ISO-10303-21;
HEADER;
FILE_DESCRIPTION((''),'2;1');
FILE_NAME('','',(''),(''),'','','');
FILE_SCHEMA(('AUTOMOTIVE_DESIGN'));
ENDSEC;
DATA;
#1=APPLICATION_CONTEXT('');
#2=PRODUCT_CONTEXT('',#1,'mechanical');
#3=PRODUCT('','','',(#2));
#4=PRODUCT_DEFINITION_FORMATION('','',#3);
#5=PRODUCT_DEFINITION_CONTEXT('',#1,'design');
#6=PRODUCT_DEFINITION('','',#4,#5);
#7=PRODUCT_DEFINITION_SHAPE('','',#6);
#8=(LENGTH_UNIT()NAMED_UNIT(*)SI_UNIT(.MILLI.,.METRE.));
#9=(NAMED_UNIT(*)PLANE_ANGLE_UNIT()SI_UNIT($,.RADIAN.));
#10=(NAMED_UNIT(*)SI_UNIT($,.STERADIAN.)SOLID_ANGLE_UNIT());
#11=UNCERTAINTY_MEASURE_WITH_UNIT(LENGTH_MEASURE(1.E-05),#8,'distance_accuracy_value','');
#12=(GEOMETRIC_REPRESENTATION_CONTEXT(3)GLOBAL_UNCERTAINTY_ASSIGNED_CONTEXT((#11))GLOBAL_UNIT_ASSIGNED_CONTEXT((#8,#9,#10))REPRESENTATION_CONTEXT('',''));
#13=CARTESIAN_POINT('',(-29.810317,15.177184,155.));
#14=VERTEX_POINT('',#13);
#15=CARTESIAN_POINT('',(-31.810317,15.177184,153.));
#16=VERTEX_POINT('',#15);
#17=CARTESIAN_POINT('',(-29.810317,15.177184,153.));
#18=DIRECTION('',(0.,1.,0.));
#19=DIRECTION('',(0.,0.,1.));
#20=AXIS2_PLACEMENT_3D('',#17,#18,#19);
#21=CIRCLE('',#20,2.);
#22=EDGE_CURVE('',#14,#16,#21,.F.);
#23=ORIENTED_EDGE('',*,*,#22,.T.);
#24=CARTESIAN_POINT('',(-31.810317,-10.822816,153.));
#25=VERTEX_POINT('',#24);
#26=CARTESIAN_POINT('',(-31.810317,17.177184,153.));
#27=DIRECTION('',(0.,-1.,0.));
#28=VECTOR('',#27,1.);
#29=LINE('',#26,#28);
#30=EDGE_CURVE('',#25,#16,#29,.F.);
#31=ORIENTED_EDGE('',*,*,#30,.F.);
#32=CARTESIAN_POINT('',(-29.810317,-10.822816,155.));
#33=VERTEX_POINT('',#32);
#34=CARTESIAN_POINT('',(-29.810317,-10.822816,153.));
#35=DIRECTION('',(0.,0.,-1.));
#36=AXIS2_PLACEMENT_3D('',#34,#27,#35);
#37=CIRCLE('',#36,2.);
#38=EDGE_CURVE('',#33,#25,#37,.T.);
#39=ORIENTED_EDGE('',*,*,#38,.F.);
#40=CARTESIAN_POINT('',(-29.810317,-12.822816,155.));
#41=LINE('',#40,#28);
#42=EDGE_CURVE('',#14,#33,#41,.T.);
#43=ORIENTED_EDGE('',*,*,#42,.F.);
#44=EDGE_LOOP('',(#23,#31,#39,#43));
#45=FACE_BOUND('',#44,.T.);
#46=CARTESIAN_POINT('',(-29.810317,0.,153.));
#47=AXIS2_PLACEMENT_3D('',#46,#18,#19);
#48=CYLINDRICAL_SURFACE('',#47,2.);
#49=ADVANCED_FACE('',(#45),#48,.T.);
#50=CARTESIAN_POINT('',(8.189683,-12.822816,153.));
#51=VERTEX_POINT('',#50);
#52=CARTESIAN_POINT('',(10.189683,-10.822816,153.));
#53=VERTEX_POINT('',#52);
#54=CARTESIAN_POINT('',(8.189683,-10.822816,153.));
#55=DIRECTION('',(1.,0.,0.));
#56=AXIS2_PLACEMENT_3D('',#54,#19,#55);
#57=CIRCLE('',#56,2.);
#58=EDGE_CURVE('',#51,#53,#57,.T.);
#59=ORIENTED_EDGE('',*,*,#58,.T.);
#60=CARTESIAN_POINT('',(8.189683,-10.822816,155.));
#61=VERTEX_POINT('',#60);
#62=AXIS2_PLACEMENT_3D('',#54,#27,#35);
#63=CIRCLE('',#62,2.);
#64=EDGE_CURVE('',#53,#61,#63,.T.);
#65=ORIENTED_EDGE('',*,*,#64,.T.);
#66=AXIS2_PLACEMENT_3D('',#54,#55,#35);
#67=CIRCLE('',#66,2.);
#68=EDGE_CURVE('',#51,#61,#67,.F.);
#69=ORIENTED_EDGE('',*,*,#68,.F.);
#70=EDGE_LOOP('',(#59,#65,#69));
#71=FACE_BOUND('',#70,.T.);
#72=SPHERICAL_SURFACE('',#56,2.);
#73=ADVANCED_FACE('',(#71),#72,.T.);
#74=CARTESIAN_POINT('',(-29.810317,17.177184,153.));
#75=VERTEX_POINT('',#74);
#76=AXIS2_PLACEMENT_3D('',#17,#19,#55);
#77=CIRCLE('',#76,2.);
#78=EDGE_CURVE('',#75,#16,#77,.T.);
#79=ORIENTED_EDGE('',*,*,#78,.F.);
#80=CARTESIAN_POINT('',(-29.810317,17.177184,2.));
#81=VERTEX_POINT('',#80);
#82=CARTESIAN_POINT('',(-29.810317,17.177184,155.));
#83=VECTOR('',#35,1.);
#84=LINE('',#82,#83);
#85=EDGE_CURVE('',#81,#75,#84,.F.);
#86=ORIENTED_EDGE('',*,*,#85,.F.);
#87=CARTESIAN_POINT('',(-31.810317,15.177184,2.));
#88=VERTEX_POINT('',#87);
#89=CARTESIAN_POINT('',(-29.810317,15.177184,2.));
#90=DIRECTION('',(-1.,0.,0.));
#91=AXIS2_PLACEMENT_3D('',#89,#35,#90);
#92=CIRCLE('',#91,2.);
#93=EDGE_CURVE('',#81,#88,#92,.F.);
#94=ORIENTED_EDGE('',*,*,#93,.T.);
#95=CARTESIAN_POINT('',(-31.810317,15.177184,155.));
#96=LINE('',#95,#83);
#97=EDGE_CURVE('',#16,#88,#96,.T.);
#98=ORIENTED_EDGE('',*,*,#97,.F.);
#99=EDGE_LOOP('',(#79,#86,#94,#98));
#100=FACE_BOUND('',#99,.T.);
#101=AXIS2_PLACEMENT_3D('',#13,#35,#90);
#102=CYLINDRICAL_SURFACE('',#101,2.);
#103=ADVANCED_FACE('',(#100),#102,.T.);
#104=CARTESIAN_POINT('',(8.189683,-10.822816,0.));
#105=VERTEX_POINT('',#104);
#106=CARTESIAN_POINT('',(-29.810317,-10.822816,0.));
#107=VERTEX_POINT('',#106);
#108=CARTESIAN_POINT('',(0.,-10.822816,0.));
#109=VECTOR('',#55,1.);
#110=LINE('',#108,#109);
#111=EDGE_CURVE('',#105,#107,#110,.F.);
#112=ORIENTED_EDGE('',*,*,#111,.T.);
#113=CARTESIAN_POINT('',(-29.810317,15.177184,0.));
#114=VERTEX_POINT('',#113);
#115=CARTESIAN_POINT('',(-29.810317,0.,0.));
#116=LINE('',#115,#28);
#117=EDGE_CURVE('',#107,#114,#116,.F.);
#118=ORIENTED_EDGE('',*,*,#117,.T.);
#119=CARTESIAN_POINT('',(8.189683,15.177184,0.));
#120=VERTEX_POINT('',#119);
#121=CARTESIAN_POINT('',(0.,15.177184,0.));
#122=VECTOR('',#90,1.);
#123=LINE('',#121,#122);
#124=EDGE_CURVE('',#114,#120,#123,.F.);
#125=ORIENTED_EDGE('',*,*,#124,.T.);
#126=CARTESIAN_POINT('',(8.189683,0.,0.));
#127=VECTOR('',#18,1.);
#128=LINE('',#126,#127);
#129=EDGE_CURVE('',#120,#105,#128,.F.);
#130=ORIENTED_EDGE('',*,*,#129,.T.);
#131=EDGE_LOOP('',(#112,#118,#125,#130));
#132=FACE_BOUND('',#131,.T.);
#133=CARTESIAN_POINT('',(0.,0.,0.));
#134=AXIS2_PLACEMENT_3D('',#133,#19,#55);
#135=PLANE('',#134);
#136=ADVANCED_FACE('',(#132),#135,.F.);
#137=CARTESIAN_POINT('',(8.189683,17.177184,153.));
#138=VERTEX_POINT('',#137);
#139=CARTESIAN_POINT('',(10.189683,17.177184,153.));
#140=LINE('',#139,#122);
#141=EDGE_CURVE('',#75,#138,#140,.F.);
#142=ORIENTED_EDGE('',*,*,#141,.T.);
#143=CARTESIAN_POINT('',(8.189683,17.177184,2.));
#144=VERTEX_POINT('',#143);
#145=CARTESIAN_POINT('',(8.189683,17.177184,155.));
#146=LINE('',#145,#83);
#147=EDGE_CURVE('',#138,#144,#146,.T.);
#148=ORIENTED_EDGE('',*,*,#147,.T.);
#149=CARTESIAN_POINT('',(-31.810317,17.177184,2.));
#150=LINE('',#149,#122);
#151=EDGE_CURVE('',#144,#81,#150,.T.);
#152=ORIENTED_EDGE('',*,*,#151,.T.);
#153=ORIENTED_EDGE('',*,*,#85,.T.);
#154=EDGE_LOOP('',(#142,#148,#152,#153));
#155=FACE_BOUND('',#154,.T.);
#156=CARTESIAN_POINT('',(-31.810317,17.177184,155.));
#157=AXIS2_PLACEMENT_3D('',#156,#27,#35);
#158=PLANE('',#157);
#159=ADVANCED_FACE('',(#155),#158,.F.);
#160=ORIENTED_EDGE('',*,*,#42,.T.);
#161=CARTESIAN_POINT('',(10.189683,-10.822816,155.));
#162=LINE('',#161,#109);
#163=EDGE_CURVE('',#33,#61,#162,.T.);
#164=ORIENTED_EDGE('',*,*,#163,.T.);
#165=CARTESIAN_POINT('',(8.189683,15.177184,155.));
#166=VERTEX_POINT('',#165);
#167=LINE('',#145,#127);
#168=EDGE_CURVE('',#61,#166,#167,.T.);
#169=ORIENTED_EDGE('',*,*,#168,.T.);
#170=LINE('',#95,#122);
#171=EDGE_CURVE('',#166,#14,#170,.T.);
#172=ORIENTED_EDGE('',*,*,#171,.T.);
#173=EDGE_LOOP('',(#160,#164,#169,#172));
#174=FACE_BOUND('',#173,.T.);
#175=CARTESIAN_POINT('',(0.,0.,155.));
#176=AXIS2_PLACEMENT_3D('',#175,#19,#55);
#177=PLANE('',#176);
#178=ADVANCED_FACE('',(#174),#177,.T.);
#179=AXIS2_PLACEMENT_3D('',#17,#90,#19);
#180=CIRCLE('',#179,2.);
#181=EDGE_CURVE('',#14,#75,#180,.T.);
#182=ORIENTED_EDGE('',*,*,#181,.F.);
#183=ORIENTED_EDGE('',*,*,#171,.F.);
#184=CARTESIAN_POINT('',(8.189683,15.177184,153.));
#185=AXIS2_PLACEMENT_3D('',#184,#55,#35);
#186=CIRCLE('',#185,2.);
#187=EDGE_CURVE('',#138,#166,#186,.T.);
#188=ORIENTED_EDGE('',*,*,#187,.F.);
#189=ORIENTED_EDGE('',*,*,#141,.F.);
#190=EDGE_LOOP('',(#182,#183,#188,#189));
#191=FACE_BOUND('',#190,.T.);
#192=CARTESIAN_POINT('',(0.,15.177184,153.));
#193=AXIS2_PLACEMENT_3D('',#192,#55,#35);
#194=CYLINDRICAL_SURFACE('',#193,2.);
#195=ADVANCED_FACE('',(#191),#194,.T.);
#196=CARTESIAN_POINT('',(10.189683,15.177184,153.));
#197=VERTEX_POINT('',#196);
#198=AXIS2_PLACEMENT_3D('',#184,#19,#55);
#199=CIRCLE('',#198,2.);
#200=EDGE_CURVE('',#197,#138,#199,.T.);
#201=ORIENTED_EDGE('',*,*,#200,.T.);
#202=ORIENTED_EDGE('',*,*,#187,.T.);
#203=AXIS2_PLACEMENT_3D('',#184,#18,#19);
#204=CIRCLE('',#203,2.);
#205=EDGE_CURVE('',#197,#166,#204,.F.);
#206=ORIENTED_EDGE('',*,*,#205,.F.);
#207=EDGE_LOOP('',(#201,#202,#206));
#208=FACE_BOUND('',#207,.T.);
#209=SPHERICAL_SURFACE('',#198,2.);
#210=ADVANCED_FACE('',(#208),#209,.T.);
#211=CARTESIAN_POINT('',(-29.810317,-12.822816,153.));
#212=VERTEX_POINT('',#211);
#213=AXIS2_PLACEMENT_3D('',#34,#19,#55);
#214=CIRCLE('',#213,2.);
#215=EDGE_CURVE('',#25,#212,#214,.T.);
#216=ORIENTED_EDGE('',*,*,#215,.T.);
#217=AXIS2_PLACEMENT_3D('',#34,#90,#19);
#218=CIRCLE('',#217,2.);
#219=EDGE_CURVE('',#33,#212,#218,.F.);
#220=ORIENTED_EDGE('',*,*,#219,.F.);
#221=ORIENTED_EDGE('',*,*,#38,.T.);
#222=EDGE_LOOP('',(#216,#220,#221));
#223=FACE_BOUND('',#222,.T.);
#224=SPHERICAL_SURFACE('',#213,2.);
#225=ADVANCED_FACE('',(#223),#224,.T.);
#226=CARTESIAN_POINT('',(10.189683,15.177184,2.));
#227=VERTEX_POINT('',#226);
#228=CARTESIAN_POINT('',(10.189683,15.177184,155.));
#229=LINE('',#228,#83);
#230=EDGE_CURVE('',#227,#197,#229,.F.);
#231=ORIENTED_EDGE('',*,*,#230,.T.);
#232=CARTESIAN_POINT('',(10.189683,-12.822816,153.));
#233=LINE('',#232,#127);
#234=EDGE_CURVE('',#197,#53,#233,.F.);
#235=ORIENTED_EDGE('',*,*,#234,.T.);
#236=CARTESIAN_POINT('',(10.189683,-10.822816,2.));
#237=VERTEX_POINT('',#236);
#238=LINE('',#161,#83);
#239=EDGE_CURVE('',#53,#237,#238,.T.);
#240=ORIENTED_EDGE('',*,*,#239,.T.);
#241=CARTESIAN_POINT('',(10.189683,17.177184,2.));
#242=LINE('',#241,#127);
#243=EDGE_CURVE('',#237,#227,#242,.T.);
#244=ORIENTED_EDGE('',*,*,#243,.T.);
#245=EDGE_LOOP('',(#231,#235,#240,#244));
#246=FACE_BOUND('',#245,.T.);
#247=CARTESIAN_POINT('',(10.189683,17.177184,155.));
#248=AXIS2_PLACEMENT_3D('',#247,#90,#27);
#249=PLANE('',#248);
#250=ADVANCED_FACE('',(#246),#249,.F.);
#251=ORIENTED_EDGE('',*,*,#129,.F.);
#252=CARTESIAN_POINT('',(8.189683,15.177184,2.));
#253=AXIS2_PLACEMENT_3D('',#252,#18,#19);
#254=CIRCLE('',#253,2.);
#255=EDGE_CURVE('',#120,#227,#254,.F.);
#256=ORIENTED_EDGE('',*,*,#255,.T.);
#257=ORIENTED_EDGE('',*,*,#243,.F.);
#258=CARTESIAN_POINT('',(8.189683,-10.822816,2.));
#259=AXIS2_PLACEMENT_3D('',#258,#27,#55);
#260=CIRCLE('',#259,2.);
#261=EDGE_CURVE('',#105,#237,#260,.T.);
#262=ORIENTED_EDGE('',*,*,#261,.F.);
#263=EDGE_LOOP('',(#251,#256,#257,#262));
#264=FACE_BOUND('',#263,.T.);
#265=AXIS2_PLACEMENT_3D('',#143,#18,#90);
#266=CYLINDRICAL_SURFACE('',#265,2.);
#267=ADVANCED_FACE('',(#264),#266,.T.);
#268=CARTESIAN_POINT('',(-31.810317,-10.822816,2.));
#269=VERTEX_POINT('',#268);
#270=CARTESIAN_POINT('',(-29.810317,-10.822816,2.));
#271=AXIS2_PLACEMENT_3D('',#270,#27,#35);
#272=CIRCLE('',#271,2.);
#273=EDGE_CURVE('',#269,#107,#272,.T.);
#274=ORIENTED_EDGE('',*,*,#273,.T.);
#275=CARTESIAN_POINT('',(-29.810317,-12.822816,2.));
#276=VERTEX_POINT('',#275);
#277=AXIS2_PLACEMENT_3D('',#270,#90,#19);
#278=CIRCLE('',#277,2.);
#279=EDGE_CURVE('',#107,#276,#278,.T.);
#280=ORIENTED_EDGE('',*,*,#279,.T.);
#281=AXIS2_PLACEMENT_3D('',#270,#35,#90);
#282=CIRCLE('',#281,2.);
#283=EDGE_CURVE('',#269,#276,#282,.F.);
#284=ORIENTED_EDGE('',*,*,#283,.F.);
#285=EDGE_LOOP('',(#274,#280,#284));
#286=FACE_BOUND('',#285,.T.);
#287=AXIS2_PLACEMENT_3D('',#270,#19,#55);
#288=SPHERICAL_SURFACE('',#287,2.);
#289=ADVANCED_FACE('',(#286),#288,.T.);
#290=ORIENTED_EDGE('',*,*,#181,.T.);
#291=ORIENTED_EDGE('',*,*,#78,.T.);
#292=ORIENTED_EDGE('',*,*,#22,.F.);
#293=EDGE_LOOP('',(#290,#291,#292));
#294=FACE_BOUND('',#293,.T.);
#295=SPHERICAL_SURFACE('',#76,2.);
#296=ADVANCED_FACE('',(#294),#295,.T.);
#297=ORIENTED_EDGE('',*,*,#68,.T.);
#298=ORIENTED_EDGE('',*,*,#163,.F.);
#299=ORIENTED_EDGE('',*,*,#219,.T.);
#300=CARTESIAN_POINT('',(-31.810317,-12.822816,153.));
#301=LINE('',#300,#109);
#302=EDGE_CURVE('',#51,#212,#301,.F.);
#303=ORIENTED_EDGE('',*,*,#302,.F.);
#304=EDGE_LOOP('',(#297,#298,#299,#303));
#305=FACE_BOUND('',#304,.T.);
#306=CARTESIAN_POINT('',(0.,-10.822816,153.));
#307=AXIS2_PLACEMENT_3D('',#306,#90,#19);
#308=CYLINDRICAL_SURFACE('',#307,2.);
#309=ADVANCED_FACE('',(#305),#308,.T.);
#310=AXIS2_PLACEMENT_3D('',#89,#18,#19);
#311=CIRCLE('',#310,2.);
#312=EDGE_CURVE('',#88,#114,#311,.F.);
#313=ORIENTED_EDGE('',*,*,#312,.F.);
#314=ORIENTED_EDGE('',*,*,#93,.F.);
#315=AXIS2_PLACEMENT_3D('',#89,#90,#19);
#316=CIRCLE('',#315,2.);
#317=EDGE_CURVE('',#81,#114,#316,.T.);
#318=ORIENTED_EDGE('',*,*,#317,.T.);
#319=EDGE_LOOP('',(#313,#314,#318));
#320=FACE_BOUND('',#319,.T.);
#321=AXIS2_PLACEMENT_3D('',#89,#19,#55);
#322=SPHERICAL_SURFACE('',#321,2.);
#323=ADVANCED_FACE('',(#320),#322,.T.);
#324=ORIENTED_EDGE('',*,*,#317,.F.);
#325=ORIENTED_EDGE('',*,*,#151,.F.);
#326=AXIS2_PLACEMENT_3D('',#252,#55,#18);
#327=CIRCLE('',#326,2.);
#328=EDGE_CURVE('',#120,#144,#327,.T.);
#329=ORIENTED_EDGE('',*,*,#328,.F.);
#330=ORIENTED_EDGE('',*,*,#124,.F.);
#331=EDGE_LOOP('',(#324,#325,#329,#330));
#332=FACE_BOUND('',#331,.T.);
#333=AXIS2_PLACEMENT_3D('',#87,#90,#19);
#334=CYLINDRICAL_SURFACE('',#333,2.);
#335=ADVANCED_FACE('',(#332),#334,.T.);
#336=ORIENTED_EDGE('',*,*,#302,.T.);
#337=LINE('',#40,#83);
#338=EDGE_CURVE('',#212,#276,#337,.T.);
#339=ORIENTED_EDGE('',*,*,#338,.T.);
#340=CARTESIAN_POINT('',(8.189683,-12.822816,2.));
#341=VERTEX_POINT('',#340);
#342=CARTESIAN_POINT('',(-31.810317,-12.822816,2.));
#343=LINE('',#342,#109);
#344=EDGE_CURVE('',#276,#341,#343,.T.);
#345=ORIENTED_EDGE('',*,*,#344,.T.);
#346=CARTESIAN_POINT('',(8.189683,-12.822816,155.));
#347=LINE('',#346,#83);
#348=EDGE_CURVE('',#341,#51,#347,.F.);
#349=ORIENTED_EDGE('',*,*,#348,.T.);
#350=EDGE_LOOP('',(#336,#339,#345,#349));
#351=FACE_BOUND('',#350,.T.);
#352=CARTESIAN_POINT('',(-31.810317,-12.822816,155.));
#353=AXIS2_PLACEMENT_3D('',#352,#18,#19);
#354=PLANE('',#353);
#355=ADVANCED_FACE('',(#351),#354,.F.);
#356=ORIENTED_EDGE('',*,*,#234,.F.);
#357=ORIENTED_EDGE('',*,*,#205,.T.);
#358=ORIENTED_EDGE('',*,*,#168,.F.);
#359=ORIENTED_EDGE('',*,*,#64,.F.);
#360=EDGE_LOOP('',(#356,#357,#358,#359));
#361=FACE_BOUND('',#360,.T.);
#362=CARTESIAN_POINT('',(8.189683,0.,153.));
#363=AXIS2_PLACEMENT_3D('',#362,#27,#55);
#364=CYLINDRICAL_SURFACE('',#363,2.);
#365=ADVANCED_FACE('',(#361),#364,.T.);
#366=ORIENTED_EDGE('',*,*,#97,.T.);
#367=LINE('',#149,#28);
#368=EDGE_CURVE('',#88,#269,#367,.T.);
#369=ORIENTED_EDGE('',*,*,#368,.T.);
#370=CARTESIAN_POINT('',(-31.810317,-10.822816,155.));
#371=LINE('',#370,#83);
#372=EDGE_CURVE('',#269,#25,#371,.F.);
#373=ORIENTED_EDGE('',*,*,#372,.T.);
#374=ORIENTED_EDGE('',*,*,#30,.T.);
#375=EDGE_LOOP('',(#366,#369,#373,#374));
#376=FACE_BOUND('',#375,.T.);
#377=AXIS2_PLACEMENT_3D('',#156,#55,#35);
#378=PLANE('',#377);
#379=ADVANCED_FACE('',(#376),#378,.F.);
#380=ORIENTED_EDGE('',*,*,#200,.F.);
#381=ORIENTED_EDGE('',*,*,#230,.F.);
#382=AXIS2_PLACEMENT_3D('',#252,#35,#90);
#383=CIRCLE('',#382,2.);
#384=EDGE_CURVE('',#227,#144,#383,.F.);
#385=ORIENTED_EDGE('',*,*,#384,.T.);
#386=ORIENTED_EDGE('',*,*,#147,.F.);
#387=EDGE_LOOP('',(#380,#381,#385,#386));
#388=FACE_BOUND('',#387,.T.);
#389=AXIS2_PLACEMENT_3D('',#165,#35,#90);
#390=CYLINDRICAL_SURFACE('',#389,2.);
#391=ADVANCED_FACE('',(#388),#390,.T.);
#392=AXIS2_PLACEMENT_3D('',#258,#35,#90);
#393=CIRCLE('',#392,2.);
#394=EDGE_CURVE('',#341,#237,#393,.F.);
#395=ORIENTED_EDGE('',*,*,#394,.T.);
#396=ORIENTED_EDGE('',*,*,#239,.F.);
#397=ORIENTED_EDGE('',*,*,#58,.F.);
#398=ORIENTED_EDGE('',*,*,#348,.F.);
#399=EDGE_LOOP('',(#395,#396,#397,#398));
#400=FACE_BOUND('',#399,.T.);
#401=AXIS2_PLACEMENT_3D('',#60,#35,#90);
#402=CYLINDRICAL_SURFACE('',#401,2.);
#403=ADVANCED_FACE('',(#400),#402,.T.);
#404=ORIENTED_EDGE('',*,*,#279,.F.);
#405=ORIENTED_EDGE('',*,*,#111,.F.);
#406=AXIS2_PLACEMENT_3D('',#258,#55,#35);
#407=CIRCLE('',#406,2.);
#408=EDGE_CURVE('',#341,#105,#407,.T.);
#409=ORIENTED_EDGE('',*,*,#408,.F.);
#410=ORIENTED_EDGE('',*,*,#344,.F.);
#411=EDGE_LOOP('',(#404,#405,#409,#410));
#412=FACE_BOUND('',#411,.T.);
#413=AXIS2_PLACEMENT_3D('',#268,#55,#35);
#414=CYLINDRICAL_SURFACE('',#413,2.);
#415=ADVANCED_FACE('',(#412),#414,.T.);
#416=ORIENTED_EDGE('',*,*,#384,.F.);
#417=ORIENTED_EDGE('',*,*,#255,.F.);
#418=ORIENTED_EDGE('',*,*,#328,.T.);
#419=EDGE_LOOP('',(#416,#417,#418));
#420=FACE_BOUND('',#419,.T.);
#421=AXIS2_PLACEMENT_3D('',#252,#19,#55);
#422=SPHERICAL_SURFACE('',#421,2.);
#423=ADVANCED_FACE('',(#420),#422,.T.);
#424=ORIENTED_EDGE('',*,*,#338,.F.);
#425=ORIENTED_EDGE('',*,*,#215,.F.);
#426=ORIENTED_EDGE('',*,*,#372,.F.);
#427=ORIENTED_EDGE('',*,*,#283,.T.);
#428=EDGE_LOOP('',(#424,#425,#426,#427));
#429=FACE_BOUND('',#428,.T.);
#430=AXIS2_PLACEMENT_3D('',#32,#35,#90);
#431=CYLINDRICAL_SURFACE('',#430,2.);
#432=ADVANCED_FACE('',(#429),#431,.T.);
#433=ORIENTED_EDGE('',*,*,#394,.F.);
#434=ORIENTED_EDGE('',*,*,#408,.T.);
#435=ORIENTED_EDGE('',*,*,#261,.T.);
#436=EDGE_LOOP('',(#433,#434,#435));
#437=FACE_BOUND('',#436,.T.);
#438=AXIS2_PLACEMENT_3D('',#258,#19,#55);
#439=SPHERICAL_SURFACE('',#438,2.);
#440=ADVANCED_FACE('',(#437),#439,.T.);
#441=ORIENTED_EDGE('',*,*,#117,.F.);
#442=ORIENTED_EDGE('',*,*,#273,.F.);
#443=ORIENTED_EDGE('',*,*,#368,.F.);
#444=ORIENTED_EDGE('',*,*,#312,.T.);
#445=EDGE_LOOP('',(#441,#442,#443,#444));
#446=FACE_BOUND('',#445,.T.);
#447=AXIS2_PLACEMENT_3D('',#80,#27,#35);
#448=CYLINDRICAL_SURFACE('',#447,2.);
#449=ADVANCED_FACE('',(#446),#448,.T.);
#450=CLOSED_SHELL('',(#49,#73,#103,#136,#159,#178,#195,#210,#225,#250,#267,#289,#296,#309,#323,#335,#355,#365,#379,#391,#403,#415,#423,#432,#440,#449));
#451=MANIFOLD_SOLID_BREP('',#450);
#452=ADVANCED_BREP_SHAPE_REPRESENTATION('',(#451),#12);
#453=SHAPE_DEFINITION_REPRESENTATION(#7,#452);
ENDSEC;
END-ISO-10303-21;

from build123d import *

# Parameters (mm, degrees)
SKETCH_1_W      = 42
SKETCH_1_H      = 30
EXTRUDE_1_DEPTH = 155
FILLET_1_R      = 2


with BuildPart() as part:
    # 스케치1 → 보스-돌출1 (new body)
    with BuildSketch(Plane.XY):
        with Locations((-10.810316775, 2.177184466)):
            Rectangle(SKETCH_1_W, SKETCH_1_H)
    extrude(amount=EXTRUDE_1_DEPTH)

    # 필렛1
    fillet_1_edges = [part.edges().sort_by_distance(p)[0] for p in [
        (-31.810316775, 2.177184466, 155),
        (-10.810316775, -12.822815534, 155),
        (10.189683225, 2.177184466, 155),
        (-10.810316775, -12.822815534, 0),
        (-31.810316775, 2.177184466, 0),
        (-10.810316775, 17.177184466, 0),
        (10.189683225, 2.177184466, 0),
        (-10.810316775, 17.177184466, 155),
        (10.189683225, -12.822815534, 77.5),
        (-31.810316775, -12.822815534, 77.5),
        (-31.810316775, 17.177184466, 77.5),
        (10.189683225, 17.177184466, 77.5),
    ]]
    fillet(fillet_1_edges, radius=FILLET_1_R)


solid = part.part
